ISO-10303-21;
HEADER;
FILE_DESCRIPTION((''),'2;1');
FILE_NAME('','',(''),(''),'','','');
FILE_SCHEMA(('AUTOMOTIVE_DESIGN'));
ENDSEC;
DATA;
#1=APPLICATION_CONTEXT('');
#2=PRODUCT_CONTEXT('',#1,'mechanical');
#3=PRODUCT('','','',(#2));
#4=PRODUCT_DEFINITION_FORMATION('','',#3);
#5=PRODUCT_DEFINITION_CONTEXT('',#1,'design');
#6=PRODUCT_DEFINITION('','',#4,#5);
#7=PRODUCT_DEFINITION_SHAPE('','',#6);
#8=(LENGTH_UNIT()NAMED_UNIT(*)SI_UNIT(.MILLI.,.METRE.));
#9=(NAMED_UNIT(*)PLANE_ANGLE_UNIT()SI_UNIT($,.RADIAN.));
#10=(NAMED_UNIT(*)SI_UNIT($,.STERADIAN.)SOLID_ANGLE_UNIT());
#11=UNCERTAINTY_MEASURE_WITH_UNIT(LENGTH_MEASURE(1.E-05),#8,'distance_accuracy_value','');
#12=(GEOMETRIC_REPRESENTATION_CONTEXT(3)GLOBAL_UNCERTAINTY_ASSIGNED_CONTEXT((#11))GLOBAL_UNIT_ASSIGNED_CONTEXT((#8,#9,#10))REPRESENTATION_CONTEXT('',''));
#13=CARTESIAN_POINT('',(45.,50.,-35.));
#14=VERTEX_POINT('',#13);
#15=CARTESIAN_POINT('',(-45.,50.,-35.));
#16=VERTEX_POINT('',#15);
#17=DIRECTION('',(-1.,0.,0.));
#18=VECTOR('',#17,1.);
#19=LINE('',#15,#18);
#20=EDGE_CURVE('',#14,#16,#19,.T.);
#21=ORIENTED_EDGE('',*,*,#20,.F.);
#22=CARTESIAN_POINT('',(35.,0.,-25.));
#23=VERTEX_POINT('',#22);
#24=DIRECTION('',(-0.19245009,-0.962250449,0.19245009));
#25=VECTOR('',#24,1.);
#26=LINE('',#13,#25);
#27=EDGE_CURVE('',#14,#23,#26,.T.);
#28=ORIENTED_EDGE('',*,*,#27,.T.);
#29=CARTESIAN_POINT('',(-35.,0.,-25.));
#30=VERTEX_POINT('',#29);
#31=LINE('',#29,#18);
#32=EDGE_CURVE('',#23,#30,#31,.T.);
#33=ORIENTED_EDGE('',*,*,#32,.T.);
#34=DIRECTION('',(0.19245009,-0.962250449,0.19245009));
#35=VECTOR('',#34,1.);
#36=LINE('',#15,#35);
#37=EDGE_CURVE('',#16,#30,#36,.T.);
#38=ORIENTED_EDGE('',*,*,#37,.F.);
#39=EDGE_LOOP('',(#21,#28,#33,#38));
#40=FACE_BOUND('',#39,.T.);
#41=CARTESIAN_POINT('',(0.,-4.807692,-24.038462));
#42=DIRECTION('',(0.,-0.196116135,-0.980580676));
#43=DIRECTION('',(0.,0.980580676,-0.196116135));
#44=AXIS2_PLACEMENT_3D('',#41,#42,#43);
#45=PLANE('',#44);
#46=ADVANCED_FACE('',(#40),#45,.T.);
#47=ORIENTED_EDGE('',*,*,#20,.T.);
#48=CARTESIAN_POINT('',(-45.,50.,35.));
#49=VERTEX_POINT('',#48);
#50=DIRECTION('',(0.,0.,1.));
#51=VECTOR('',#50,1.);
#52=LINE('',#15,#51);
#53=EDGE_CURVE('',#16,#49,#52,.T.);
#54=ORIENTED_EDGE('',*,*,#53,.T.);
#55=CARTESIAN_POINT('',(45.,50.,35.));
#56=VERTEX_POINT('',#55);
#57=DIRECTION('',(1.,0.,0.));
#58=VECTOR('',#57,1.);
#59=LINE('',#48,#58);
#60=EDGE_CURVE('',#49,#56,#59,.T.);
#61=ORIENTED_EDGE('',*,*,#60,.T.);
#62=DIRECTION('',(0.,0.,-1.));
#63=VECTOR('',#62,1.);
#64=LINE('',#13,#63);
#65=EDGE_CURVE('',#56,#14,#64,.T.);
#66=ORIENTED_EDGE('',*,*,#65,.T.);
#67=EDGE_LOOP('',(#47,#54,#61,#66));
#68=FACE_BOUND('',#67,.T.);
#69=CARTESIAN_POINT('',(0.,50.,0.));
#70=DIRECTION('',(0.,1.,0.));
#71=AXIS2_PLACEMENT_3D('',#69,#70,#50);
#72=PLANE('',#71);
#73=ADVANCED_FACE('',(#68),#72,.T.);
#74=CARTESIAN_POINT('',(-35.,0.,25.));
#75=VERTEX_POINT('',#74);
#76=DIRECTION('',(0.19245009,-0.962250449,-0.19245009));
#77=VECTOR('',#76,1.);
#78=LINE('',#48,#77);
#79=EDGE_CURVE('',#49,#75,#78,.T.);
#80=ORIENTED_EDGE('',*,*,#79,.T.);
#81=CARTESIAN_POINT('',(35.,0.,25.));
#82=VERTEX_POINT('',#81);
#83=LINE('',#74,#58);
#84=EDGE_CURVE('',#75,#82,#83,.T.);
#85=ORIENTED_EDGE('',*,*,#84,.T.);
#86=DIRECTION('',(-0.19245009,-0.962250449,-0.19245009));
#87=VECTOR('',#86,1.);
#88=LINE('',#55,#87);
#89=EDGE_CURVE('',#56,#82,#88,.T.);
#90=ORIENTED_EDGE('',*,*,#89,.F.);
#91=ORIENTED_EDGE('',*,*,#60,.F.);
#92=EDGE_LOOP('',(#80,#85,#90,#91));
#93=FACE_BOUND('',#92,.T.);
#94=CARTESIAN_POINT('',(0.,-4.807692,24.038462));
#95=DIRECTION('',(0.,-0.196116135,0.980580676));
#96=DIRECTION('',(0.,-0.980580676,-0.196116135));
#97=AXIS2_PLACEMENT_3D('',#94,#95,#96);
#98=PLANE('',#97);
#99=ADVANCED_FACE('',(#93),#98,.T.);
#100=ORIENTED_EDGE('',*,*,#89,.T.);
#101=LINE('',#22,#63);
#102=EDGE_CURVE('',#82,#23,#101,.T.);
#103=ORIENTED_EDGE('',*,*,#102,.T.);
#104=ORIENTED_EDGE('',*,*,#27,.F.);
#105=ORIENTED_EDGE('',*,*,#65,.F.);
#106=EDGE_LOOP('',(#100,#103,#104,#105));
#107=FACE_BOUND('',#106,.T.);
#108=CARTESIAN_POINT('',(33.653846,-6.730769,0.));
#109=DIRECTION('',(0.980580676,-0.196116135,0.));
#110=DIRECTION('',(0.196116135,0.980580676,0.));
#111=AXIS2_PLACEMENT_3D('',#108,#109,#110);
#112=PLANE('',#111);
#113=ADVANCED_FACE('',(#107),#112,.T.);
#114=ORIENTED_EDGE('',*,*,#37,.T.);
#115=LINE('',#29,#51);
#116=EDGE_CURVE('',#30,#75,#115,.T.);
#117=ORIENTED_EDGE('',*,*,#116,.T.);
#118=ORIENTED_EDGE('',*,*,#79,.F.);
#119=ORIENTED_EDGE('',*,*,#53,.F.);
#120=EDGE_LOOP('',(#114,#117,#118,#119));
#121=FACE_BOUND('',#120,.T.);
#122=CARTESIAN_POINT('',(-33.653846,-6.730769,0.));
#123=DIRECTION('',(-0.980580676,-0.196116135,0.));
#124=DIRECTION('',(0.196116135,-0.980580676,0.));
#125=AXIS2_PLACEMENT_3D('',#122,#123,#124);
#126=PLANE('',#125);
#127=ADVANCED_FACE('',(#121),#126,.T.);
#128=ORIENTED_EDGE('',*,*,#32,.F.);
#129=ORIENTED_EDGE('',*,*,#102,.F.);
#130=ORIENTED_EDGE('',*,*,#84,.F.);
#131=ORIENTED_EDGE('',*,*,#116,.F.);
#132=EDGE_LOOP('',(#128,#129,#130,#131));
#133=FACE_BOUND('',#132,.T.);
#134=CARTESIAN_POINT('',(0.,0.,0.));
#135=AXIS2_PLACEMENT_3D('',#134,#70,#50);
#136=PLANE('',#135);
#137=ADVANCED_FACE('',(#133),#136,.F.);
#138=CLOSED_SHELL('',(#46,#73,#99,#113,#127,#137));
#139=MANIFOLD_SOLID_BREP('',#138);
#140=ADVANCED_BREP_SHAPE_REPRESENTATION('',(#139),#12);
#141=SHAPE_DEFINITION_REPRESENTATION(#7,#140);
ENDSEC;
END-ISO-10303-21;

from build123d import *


with BuildPart() as part:
    # Sketch2 → Loft2 section 0
    with BuildSketch(Plane(origin=(0, 50, 0), x_dir=(1, 0, 0), z_dir=(0, 1, 0))):
        with BuildLine():
            Line((-45, 35), (45, 35))
            Line((45, 35), (45, -35))
            Line((45, -35), (-45, -35))
            Line((-45, -35), (-45, 35))
        make_face()
    # Sketch1 → Loft2 section 1
    with BuildSketch(Plane(origin=(0, 0, 0), x_dir=(1, 0, 0), z_dir=(0, 1, 0))):
        with BuildLine():
            Line((-35, 25), (35, 25))
            Line((35, 25), (35, -25))
            Line((35, -25), (-35, -25))
            Line((-35, -25), (-35, 25))
        make_face()
    loft()


solid = part.part
